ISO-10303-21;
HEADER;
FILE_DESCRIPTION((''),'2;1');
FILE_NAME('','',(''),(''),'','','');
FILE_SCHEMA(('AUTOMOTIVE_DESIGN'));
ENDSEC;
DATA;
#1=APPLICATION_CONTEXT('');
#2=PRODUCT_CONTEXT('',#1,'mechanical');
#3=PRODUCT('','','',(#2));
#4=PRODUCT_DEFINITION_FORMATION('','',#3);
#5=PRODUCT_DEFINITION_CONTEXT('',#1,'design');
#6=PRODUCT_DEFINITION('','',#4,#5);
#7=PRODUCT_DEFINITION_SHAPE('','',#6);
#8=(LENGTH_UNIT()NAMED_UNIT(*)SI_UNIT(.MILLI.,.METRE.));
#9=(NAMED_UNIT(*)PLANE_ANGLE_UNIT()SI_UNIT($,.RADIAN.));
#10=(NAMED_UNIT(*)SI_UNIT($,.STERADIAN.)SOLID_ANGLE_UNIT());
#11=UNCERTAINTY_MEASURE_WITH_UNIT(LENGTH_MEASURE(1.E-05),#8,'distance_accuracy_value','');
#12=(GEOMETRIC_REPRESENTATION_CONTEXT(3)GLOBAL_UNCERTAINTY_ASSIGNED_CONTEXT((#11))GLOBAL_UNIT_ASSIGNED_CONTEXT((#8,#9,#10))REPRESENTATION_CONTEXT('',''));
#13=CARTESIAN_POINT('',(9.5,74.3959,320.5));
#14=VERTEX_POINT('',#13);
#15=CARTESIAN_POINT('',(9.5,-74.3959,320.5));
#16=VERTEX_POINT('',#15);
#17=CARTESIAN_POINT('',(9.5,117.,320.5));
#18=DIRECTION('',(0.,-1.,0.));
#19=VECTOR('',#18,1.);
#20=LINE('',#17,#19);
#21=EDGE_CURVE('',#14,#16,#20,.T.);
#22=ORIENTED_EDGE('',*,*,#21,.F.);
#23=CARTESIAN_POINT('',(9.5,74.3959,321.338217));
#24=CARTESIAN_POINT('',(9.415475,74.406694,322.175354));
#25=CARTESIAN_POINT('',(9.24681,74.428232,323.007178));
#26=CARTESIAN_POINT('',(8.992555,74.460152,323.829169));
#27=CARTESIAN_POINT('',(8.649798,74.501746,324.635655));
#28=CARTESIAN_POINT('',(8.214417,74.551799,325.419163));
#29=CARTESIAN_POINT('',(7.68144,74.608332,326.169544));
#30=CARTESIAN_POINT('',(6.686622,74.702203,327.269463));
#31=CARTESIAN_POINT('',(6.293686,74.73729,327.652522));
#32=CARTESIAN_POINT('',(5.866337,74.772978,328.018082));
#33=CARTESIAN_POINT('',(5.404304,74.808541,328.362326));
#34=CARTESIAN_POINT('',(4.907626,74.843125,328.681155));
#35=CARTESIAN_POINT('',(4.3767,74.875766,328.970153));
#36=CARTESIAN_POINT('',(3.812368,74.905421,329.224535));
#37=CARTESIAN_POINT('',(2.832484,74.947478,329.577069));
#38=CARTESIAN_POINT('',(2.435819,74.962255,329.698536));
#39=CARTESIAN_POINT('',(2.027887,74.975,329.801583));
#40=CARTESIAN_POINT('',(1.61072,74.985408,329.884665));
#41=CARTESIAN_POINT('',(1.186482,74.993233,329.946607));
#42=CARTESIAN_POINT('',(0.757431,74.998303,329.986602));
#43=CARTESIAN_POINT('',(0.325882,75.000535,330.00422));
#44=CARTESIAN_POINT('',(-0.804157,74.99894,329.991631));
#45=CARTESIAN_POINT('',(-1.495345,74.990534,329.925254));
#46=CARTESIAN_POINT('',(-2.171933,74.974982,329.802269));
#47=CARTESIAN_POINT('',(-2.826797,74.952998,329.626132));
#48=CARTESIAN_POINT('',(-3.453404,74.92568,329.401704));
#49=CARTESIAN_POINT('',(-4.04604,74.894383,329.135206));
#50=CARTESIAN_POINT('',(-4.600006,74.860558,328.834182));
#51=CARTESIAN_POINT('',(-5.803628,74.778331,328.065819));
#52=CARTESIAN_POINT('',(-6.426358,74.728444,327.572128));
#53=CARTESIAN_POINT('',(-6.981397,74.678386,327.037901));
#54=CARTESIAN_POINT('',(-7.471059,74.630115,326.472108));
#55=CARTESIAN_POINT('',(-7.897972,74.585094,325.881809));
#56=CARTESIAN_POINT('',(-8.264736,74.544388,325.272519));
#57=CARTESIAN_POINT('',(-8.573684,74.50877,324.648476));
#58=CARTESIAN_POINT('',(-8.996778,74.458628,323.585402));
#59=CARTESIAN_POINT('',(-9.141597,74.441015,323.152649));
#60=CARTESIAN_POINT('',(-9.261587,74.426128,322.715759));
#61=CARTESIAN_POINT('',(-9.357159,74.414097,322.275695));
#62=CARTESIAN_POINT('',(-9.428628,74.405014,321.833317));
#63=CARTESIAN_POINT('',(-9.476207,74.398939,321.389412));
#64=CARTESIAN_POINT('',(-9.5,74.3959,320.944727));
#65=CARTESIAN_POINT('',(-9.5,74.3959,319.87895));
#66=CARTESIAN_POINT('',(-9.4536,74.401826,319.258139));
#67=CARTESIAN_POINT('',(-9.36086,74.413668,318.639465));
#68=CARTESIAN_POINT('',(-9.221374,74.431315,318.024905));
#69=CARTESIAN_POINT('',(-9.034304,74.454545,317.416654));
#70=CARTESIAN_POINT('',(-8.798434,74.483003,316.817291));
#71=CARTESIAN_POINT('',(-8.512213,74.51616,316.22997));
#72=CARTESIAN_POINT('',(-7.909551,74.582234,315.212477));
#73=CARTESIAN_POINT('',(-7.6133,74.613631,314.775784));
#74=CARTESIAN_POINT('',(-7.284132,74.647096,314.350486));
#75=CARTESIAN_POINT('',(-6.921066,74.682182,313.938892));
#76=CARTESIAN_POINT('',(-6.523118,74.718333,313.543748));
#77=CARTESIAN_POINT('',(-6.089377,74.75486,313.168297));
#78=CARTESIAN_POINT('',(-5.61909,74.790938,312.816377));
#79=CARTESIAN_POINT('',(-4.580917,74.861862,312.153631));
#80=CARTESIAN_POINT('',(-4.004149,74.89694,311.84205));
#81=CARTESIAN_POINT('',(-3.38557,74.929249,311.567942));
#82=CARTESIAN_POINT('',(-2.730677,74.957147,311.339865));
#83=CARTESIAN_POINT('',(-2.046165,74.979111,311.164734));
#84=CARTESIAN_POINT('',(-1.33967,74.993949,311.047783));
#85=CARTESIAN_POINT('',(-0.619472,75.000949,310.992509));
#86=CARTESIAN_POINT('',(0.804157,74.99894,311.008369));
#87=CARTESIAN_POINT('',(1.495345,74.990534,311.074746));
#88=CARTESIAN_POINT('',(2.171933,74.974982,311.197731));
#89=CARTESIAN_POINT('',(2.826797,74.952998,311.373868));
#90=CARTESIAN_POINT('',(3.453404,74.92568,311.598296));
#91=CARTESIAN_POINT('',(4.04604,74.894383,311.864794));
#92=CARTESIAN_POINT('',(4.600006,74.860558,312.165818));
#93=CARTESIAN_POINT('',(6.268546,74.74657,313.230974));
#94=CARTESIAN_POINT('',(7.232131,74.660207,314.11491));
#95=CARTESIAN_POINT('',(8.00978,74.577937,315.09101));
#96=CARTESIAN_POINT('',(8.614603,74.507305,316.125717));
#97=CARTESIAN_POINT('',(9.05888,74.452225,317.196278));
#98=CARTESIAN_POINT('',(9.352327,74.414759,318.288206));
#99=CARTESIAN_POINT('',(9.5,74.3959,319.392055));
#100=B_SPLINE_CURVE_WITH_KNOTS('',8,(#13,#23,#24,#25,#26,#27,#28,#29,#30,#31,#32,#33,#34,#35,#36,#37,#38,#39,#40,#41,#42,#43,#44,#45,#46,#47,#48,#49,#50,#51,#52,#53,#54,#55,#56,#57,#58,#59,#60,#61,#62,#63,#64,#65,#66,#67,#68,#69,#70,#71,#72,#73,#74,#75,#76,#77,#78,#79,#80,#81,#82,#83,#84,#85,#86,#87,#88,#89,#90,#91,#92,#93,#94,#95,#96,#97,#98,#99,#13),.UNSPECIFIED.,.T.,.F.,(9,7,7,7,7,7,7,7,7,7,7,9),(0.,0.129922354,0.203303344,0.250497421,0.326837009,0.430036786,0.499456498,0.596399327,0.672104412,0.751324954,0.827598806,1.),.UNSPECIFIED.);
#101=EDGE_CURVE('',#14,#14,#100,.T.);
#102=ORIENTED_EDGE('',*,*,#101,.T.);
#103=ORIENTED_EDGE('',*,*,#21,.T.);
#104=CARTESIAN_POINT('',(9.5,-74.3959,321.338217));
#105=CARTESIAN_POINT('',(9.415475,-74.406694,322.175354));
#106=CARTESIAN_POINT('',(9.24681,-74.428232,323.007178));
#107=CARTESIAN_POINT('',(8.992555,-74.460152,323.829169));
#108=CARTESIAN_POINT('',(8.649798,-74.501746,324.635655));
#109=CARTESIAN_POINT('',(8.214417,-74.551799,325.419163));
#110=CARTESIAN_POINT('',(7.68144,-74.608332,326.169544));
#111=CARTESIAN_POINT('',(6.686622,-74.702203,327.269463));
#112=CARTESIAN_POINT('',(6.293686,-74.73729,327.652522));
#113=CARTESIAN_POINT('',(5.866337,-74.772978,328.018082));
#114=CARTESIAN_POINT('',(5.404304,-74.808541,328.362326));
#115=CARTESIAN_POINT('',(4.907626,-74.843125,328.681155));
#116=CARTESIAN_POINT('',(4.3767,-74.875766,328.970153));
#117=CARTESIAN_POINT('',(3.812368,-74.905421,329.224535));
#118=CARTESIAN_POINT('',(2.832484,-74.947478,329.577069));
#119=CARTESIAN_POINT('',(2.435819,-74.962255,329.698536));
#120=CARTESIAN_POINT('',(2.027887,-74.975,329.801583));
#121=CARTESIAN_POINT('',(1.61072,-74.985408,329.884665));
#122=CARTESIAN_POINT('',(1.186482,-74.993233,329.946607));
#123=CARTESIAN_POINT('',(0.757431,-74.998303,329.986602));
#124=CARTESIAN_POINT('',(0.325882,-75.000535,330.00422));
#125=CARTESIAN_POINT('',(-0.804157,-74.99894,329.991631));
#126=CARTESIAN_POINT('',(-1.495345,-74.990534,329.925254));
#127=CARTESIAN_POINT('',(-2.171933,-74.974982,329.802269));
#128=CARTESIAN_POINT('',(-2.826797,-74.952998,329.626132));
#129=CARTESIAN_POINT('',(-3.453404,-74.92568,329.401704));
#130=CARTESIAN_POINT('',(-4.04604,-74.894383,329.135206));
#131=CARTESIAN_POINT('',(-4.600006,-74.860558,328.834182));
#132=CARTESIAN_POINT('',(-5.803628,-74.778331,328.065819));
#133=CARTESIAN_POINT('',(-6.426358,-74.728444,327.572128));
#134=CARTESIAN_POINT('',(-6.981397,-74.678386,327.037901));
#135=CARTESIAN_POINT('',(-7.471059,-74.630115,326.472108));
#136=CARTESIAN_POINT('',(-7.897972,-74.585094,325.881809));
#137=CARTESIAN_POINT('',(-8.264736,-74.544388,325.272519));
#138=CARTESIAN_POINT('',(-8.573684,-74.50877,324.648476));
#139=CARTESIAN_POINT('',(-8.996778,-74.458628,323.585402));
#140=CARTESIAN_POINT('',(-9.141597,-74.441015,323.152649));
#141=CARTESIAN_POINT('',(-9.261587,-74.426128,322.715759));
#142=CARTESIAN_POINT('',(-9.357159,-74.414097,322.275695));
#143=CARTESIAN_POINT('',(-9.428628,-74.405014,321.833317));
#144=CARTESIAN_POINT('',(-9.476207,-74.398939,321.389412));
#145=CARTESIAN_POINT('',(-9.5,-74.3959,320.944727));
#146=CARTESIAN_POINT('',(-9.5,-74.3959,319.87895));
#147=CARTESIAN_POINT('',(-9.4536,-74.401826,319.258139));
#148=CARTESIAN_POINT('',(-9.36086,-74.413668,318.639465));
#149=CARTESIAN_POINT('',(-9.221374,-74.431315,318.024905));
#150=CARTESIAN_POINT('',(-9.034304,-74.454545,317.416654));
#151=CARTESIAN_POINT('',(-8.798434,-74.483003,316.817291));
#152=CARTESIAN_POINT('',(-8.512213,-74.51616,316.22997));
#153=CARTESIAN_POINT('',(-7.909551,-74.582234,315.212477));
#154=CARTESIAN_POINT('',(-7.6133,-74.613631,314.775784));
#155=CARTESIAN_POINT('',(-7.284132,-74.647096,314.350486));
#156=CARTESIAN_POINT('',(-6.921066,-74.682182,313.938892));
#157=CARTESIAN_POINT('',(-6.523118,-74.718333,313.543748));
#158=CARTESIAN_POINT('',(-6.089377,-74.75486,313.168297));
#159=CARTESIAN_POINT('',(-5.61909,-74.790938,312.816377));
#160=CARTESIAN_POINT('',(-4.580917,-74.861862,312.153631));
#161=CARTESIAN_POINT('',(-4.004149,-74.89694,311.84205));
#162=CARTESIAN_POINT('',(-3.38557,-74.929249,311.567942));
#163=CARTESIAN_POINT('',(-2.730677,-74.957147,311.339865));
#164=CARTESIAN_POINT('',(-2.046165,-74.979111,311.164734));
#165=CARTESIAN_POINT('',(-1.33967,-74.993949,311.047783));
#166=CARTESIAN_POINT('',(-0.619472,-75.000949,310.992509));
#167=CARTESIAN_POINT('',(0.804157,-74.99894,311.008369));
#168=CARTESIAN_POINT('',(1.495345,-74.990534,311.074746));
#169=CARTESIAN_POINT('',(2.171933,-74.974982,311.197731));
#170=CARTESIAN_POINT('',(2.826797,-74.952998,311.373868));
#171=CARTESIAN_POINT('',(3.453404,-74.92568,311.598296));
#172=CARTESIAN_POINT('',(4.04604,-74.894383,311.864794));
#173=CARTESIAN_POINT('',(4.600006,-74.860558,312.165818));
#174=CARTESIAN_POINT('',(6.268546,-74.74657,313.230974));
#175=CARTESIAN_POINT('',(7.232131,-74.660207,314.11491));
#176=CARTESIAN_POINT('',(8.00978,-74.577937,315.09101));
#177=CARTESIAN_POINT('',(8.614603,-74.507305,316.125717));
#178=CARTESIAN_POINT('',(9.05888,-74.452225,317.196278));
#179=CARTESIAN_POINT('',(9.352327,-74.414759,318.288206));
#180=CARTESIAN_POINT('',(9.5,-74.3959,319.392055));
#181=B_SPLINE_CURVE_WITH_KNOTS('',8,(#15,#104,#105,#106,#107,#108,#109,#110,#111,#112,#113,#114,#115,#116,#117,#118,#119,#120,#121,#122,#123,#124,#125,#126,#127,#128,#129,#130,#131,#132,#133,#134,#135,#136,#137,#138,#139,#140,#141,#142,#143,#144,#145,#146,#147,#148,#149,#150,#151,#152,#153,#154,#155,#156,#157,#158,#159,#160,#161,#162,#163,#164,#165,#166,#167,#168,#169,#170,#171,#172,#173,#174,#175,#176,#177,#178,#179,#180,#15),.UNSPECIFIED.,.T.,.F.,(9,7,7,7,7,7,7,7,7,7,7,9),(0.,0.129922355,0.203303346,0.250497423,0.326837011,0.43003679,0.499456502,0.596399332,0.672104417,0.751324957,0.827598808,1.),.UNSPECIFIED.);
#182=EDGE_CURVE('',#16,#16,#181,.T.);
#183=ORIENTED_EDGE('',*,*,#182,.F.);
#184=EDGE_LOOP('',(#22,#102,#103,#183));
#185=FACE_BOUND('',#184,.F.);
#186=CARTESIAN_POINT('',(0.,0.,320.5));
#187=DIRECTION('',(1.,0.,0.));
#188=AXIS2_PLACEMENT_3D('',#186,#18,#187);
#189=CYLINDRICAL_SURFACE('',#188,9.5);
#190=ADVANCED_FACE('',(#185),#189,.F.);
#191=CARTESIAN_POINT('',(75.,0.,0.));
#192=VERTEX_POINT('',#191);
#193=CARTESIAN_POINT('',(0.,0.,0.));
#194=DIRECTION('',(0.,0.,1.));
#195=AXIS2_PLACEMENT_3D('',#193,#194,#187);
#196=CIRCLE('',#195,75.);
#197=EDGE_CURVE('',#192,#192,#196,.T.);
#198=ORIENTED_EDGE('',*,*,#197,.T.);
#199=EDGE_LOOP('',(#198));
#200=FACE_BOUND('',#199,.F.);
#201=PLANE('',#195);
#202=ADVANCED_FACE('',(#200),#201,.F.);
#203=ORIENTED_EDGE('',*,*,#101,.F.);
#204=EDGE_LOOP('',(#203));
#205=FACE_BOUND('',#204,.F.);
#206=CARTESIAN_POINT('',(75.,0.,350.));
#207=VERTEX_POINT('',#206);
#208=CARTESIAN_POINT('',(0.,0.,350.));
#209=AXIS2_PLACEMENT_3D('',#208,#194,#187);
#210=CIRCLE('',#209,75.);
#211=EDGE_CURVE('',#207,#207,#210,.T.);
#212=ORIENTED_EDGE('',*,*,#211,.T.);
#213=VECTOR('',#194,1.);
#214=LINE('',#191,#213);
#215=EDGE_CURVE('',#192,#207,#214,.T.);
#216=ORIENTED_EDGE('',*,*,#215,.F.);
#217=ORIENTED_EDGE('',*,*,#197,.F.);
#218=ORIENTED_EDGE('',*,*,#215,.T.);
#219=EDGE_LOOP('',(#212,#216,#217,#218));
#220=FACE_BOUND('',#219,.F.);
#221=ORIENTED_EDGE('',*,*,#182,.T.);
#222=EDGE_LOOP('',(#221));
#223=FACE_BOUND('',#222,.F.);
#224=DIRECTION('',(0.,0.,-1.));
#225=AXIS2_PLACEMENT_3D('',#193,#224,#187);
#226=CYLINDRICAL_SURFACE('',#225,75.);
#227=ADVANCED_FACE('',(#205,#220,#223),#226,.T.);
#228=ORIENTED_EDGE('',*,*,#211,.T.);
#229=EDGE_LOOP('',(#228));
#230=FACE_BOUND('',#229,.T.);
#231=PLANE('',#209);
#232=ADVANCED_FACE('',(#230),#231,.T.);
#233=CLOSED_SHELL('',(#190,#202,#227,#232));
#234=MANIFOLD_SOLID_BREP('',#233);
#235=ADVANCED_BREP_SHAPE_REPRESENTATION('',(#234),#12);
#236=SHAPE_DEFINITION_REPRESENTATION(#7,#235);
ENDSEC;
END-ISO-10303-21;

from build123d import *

# Parameters (mm, degrees)
F0_R     = 75
F1_DEPTH = 350
F2_R     = 9.5
F3_DEPTH = 117


with BuildPart() as f1:
    # F0 (on Top) → F1 (new body)
    with BuildSketch(Plane.XY):
        Circle(F0_R)
    extrude(amount=F1_DEPTH)

    # F2 (on Front) → F3 (cut, symmetric)
    with BuildSketch(Plane.XZ):
        with Locations((0, 320.5)):
            Circle(F2_R)
    extrude(amount=F3_DEPTH, both=True, mode=Mode.SUBTRACT)


solid = f1.part
